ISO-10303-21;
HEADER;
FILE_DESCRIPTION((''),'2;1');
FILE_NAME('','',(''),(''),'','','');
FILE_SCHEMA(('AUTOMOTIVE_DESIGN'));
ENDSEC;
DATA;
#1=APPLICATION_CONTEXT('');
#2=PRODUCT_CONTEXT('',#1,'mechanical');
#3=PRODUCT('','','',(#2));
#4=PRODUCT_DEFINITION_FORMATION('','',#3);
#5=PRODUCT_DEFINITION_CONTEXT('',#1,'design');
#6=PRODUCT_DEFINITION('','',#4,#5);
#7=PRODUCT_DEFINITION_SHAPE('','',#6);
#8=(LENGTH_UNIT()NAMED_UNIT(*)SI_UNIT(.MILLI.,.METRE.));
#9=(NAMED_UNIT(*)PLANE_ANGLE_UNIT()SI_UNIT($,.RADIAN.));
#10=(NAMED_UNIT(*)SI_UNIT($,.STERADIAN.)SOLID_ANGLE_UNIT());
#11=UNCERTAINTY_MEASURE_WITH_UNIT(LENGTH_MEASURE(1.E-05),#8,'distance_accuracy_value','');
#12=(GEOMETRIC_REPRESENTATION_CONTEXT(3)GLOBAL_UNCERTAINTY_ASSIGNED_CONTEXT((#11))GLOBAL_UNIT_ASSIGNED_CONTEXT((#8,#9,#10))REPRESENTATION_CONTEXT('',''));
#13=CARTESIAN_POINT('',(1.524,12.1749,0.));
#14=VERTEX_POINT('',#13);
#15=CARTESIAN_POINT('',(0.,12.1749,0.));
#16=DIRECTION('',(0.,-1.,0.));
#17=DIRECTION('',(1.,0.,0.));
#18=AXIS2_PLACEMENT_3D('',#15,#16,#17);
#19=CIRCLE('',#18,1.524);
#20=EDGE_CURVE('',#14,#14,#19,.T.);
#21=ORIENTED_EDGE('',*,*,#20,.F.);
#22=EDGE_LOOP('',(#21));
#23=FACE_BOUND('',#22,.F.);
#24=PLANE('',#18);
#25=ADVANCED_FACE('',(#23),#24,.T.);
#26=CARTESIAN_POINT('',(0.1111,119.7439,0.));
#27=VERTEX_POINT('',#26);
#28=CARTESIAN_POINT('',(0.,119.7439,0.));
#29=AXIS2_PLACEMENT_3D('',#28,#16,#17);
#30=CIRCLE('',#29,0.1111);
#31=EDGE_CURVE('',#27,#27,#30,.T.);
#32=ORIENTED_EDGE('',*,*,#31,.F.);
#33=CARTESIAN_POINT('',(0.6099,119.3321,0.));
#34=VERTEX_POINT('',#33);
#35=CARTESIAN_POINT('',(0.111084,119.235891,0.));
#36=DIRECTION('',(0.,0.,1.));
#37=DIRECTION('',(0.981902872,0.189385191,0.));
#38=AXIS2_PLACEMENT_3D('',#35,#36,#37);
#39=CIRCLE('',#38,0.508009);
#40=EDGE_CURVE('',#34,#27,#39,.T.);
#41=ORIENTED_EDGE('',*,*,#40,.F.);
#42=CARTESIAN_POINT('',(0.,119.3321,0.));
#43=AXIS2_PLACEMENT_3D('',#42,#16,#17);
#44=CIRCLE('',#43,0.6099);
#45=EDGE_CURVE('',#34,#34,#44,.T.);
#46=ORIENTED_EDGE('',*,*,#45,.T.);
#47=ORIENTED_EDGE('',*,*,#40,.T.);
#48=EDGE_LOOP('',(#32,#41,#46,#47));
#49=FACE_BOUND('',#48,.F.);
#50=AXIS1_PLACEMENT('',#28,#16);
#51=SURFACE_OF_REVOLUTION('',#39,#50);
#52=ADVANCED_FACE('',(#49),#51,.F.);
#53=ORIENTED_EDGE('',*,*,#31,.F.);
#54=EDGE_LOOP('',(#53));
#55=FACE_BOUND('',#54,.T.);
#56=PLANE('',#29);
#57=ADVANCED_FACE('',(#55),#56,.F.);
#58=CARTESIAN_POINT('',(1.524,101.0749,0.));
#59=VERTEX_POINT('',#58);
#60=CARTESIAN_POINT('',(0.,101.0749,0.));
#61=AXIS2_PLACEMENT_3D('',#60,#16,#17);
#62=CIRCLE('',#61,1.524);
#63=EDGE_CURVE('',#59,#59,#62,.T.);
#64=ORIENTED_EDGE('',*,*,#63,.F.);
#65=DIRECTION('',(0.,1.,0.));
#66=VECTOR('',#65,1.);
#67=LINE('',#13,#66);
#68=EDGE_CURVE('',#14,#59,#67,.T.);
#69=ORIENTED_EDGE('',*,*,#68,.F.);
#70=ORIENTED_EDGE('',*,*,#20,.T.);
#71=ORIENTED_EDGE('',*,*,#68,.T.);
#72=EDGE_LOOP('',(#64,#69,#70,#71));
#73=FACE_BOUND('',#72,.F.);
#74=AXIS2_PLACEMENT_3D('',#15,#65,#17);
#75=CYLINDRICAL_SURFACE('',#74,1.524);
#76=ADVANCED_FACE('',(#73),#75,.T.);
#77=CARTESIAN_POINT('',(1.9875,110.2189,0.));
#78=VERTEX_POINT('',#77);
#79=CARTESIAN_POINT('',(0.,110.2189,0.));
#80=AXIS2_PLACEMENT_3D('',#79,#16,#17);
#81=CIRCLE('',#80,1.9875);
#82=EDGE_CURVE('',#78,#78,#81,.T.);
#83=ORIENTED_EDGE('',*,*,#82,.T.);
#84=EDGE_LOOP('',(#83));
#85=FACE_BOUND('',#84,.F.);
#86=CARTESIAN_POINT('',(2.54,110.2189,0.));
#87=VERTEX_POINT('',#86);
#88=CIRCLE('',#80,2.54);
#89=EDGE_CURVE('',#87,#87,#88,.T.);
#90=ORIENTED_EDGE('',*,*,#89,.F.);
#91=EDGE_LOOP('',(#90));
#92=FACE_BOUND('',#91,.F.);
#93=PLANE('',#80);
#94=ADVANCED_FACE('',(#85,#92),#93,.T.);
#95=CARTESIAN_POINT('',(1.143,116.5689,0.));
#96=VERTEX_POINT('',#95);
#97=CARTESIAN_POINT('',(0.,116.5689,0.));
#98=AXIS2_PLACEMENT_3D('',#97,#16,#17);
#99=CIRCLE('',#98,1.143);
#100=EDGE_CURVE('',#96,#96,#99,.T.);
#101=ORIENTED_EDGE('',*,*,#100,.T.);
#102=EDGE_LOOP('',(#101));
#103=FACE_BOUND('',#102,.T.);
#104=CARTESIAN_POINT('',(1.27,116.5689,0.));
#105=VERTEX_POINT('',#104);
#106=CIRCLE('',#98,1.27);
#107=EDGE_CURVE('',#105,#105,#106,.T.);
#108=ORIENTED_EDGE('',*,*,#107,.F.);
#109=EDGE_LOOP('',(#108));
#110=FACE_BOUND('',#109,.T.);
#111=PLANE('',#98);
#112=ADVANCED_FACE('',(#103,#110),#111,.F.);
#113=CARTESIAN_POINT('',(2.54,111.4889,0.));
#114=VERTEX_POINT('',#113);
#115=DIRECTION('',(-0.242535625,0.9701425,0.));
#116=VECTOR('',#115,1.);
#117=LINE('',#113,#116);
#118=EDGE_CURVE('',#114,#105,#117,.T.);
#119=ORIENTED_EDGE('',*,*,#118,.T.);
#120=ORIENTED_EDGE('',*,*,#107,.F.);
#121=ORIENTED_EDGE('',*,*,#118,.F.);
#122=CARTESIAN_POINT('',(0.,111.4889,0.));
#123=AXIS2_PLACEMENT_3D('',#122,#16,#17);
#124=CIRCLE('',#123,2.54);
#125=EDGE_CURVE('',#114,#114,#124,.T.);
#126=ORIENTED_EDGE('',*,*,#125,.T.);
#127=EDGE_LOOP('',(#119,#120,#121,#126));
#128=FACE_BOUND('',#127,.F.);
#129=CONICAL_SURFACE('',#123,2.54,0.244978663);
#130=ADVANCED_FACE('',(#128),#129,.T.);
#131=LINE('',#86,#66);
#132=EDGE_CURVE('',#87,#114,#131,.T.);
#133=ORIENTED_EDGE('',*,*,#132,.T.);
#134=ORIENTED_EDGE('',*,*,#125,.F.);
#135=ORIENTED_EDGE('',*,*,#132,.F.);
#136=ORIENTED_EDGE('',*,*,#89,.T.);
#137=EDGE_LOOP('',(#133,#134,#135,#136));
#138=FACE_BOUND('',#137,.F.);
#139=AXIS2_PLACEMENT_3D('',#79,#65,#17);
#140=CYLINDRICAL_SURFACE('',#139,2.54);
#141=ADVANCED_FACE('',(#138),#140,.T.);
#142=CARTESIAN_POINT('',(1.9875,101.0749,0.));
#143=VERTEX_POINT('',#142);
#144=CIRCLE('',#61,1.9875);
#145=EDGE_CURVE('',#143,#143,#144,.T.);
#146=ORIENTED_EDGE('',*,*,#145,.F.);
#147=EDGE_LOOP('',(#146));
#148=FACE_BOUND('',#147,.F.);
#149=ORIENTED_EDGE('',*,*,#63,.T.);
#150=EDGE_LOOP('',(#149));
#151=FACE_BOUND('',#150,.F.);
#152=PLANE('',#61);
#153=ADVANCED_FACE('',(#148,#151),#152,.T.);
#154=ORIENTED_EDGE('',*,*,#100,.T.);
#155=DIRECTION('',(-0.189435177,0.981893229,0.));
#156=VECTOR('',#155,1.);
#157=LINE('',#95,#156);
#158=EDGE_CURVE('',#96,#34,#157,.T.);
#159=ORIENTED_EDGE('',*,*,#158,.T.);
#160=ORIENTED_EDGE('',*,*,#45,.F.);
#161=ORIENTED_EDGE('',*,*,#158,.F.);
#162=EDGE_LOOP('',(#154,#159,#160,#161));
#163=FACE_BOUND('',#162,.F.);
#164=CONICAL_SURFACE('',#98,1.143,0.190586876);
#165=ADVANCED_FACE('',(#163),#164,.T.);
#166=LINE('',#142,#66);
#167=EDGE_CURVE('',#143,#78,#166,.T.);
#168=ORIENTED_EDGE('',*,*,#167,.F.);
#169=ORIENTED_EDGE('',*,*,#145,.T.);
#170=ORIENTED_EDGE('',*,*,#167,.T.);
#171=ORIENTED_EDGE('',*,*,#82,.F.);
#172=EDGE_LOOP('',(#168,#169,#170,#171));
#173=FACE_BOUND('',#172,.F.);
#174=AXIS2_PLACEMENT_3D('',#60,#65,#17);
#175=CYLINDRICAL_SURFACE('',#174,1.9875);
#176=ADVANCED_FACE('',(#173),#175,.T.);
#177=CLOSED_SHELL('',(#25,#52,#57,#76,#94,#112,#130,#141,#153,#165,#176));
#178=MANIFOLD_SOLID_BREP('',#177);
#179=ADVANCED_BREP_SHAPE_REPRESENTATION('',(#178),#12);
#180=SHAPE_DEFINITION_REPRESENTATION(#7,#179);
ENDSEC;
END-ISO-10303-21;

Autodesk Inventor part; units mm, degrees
ref_plane "YZ Plane" through (0, 0, 0) normal (1, 0, 0) x (0, 1, 0)
ref_plane "XZ Plane" through (0, 0, 0) normal (0, 1, 0) x (-1, 0, 0)
ref_plane "XY Plane" through (0, 0, 0) normal (0, 0, 1) x (1, 0, 0)
sketch "Sketch1" plane through (0, 0, 0) normal (0, 0, 1) x (1, 0, 0)
  line L0 (0, 0.1624) -> (0, 12.1749)
  line L1 (0, 12.1749) -> (1.524, 12.1749)
  line L2 (1.524, 12.1749) -> (1.524, 101.0749)
  line L3 (1.524, 101.0749) -> (0, 101.0749)
  line L4 (0, 101.0749) -> (0, 12.1749)
  line L5 (0, 101.0749) -> (1.9875, 101.0749)
  line L6 (1.9875, 101.0749) -> (1.9875, 110.2189)
  line L7 (1.9875, 110.2189) -> (0, 110.2189)
  line L8 (0, 110.2189) -> (0, 101.0749)
  line L9 (0, 110.2189) -> (2.54, 110.2189)
  line L10 (2.54, 110.2189) -> (2.54, 111.4889)
  line L11 (2.54, 111.4889) -> (0, 111.4889)
  line L12 (0, 111.4889) -> (0, 110.2189)
  line L13 (2.54, 111.4889) -> (1.27, 116.5689)
  line L14 (0, 116.5689) -> (0, 111.4889)
  line L15 (0, 116.5689) -> (1.27, 116.5689)
  line L16 (1.143, 116.5689) -> (0.6099, 119.3321)
  line L17 (0, 119.7439) -> (0, 116.5689)
  line L18 (0, 119.7439) -> (0.1111, 119.7439)
  arc A0 (0.6099, 119.3321) -> (0.1111, 119.7439) centre (0.1111, 119.2359) ccw
  point P0 (0, 0)
  point P1 (0.5305, 119.7439)
  dimension "d0" = 1.524
  dimension "d1" = 88.9
  dimension "d2" = 1.9875
  dimension "d3" = 9.144
  dimension "d4" = 2.54
  dimension "d5" = 1.27
  dimension "d6" = 5.08
  dimension "d7" = 1.27
  dimension "d8" = 1.143
  dimension "d9" = 3.175
  dimension "d10" = 0.508
revolve "Revolution1" add sketch "Sketch1" angle 360 about axis through (0, 119.7439, 0) along (0, -1, 0)
properties part number "Ink Barrel + Tip"
